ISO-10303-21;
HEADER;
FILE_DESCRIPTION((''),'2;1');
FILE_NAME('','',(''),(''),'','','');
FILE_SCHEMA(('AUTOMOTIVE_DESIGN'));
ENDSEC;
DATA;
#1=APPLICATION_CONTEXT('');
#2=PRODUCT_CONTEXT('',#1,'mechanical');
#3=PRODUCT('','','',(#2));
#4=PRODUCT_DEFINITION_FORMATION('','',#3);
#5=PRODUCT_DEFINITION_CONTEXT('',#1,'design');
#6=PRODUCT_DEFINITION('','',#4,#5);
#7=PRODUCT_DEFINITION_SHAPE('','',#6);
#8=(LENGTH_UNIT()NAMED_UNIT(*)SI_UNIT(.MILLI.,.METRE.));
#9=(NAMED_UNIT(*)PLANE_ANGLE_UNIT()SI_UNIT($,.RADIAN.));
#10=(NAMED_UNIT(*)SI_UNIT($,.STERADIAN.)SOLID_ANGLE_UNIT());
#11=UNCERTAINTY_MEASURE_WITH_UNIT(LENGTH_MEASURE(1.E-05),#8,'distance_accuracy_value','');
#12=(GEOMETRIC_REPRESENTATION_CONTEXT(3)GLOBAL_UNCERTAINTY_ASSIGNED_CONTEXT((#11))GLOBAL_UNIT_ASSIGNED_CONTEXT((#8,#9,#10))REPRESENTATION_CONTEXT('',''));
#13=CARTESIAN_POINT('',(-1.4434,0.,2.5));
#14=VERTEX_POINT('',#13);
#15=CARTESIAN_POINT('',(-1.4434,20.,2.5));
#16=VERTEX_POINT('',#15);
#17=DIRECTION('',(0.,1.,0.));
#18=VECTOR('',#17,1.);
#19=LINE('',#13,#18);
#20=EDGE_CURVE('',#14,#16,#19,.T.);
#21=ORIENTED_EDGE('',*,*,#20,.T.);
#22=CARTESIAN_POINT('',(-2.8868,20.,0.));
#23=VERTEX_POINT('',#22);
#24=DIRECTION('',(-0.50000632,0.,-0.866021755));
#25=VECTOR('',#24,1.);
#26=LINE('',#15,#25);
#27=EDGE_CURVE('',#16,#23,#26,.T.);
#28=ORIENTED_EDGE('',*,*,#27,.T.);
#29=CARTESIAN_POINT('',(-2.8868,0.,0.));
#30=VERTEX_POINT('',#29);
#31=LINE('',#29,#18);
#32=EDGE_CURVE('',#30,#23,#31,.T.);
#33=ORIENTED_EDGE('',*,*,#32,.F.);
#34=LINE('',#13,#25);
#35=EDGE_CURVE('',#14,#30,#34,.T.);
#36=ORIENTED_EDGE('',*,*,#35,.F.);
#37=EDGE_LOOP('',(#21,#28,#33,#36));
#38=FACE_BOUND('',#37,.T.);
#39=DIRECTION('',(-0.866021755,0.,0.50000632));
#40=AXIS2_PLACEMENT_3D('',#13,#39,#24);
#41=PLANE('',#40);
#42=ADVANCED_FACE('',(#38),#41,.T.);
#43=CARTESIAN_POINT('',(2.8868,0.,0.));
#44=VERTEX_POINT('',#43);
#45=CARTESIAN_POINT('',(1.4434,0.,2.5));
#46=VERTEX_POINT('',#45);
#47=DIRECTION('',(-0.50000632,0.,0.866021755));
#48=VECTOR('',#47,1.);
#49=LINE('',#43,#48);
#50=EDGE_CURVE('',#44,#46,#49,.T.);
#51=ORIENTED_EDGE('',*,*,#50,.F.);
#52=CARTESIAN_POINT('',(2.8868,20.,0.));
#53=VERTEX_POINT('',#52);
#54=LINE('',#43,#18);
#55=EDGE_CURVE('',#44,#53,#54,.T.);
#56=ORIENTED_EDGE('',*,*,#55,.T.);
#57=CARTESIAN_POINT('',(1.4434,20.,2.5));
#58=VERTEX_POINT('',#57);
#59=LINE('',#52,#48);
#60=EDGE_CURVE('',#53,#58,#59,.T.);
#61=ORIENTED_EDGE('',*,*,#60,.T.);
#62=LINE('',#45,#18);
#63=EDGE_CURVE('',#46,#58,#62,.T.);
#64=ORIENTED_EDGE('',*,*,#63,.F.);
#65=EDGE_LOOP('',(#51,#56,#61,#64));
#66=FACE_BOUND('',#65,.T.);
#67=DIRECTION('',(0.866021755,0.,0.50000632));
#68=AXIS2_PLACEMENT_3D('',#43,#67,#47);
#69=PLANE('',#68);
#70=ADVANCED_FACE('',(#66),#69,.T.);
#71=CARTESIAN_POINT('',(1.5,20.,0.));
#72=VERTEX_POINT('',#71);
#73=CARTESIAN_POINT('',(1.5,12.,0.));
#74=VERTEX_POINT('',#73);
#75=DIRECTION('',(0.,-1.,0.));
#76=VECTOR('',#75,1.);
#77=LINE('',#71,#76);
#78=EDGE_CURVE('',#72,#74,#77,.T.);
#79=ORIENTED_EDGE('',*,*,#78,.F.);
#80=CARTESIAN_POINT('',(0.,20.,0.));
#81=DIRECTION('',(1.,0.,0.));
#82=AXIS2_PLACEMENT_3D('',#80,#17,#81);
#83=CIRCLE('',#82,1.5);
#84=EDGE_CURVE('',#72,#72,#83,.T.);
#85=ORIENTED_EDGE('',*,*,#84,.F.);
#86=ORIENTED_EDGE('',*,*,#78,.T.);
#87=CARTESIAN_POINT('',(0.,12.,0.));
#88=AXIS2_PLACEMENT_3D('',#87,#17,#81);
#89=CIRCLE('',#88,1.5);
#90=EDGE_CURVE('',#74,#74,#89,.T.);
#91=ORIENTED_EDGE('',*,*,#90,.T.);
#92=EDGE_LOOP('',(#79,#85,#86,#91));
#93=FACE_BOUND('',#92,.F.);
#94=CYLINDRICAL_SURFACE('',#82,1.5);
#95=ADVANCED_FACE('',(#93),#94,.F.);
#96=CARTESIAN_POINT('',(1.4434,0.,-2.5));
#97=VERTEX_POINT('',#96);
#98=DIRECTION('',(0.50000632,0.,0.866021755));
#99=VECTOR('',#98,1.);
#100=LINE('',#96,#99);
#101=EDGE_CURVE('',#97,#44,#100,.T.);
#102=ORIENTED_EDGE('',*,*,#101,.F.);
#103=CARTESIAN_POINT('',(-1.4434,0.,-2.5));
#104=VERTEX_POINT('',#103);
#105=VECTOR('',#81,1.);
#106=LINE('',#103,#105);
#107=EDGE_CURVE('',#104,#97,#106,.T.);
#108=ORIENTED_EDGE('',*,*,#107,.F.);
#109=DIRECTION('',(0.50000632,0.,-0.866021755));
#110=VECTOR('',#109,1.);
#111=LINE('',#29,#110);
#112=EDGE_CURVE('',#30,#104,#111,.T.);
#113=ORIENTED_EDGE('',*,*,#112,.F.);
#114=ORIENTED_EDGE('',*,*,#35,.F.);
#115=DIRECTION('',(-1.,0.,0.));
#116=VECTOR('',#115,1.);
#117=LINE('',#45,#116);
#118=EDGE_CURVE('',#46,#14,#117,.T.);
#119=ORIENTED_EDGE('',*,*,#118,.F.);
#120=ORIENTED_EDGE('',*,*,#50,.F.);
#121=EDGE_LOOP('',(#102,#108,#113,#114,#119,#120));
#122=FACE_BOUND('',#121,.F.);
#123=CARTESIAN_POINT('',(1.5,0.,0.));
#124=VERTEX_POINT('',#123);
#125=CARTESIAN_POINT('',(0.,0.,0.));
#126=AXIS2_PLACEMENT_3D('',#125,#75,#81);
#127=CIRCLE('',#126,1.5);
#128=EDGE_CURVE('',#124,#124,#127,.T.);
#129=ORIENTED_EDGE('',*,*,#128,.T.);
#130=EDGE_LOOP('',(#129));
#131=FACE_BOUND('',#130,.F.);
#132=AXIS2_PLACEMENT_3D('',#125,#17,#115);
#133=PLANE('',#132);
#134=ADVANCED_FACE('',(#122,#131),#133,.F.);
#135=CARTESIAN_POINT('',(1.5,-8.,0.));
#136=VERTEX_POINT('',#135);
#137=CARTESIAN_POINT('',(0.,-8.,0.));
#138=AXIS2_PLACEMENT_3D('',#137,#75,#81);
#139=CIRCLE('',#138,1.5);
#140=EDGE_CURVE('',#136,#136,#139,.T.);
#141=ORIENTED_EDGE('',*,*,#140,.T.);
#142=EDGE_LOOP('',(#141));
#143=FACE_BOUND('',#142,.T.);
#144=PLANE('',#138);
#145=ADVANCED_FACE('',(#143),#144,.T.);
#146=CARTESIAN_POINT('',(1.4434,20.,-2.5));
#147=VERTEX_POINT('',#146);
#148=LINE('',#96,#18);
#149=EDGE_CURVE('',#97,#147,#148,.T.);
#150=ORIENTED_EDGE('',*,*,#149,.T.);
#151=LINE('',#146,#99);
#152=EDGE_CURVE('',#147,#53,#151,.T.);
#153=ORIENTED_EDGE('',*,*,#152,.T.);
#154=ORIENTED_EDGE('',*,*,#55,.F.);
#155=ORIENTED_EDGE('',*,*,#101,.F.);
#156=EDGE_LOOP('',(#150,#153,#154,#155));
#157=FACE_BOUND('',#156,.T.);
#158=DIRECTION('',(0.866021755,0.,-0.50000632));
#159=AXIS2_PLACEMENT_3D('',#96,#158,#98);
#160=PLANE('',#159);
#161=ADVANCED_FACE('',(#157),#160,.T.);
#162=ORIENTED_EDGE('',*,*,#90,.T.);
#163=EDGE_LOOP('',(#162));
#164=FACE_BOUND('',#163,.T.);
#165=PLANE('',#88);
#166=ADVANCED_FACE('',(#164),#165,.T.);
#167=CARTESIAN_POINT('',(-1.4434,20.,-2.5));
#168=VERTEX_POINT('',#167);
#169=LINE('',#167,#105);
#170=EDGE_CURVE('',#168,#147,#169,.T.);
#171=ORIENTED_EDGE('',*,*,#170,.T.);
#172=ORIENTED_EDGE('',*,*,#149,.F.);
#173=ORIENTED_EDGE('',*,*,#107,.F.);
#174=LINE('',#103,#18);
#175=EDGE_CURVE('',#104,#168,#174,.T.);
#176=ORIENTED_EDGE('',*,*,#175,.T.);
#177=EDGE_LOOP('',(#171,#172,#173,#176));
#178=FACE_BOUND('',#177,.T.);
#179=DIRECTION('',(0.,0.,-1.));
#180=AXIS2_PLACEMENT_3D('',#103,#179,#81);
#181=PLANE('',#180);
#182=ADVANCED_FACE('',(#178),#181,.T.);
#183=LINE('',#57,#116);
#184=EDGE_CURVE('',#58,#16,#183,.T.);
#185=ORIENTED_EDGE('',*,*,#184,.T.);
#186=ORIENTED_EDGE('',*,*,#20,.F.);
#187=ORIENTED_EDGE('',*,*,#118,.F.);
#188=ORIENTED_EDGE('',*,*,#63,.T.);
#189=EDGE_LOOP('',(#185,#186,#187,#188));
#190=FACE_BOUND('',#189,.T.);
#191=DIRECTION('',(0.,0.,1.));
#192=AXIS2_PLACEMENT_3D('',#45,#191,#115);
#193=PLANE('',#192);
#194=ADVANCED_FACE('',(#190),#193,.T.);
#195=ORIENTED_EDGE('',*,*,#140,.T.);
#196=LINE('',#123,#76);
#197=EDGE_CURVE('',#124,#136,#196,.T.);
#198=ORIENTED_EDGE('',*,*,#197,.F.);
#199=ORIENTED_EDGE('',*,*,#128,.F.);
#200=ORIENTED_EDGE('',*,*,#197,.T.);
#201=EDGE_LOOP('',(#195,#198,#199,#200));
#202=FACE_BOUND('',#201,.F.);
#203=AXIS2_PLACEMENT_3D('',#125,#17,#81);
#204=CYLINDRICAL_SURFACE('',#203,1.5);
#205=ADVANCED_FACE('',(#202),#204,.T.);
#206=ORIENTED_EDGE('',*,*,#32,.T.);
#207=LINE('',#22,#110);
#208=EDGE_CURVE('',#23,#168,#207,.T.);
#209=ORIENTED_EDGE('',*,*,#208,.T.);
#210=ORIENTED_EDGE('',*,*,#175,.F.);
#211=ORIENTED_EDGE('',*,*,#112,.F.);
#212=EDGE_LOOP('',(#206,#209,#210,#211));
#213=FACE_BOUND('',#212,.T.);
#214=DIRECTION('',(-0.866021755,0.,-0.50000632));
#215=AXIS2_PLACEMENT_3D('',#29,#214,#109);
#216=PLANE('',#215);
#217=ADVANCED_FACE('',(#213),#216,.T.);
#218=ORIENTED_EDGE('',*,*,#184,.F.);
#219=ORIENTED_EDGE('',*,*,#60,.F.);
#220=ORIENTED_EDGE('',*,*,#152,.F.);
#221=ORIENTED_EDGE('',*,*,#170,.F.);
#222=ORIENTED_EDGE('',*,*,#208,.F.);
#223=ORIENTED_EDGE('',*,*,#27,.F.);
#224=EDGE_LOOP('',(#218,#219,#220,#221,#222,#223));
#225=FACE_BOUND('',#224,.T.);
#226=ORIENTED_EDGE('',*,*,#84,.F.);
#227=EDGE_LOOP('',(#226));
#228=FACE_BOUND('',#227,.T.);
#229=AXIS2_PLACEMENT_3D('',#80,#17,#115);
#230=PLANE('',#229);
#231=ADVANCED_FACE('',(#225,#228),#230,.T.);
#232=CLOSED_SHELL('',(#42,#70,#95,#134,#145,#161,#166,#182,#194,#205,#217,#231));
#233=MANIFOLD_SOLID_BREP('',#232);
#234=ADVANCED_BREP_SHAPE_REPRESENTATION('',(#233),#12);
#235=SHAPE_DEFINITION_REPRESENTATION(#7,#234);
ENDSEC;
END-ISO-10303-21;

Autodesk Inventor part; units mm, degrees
ref_plane "YZ Plane" through (0, 0, 0) normal (1, 0, 0) x (0, 1, 0)
ref_plane "XZ Plane" through (0, 0, 0) normal (0, 1, 0) x (-1, 0, 0)
ref_plane "XY Plane" through (0, 0, 0) normal (0, 0, 1) x (1, 0, 0)
sketch "Náčrt1" plane through (0, 0, 0) normal (0, 1, 0) x (-1, 0, 0)
  line L0 (-2.8868, 0) -> (-1.4434, 2.5)
  line L1 (-1.4434, 2.5) -> (1.4434, 2.5)
  line L2 (1.4434, 2.5) -> (2.8868, 0)
  line L3 (2.8868, 0) -> (1.4434, -2.5)
  line L4 (1.4434, -2.5) -> (-1.4434, -2.5)
  line L5 (-1.4434, -2.5) -> (-2.8868, 0)
  point P0 (0, 0)
  point P1 (0, 0)
  dimension "d0" = 5
extrude "Vysunutí1" add sketch "Náčrt1" along normal blind 20
sketch "Náčrt2" plane through (0, 20, 0) normal (0, 1, 0) x (1, 0, 0)
  circle A0 centre (0, 0) radius 1.5
  dimension "d3" = 3
extrude "Vysunutí2" cut sketch "Náčrt2" against normal blind 8
thread "Závit1" size "M3x0.5" class "6H" standard "ANSI Metric M Profile" full length
sketch "Náčrt3" plane through (0, 0, 0) normal (0, -1, 0) x (1, 0, 0)
  circle A0 centre (0, 0) radius 1.5 projected
extrude "Vysunutí3" add sketch "Náčrt3" along normal blind 8
thread "Závit2" size "M3x0.5" class "6g" standard "ANSI Metric M Profile" full length
properties part number "m3x20mm distanční sloupek"
